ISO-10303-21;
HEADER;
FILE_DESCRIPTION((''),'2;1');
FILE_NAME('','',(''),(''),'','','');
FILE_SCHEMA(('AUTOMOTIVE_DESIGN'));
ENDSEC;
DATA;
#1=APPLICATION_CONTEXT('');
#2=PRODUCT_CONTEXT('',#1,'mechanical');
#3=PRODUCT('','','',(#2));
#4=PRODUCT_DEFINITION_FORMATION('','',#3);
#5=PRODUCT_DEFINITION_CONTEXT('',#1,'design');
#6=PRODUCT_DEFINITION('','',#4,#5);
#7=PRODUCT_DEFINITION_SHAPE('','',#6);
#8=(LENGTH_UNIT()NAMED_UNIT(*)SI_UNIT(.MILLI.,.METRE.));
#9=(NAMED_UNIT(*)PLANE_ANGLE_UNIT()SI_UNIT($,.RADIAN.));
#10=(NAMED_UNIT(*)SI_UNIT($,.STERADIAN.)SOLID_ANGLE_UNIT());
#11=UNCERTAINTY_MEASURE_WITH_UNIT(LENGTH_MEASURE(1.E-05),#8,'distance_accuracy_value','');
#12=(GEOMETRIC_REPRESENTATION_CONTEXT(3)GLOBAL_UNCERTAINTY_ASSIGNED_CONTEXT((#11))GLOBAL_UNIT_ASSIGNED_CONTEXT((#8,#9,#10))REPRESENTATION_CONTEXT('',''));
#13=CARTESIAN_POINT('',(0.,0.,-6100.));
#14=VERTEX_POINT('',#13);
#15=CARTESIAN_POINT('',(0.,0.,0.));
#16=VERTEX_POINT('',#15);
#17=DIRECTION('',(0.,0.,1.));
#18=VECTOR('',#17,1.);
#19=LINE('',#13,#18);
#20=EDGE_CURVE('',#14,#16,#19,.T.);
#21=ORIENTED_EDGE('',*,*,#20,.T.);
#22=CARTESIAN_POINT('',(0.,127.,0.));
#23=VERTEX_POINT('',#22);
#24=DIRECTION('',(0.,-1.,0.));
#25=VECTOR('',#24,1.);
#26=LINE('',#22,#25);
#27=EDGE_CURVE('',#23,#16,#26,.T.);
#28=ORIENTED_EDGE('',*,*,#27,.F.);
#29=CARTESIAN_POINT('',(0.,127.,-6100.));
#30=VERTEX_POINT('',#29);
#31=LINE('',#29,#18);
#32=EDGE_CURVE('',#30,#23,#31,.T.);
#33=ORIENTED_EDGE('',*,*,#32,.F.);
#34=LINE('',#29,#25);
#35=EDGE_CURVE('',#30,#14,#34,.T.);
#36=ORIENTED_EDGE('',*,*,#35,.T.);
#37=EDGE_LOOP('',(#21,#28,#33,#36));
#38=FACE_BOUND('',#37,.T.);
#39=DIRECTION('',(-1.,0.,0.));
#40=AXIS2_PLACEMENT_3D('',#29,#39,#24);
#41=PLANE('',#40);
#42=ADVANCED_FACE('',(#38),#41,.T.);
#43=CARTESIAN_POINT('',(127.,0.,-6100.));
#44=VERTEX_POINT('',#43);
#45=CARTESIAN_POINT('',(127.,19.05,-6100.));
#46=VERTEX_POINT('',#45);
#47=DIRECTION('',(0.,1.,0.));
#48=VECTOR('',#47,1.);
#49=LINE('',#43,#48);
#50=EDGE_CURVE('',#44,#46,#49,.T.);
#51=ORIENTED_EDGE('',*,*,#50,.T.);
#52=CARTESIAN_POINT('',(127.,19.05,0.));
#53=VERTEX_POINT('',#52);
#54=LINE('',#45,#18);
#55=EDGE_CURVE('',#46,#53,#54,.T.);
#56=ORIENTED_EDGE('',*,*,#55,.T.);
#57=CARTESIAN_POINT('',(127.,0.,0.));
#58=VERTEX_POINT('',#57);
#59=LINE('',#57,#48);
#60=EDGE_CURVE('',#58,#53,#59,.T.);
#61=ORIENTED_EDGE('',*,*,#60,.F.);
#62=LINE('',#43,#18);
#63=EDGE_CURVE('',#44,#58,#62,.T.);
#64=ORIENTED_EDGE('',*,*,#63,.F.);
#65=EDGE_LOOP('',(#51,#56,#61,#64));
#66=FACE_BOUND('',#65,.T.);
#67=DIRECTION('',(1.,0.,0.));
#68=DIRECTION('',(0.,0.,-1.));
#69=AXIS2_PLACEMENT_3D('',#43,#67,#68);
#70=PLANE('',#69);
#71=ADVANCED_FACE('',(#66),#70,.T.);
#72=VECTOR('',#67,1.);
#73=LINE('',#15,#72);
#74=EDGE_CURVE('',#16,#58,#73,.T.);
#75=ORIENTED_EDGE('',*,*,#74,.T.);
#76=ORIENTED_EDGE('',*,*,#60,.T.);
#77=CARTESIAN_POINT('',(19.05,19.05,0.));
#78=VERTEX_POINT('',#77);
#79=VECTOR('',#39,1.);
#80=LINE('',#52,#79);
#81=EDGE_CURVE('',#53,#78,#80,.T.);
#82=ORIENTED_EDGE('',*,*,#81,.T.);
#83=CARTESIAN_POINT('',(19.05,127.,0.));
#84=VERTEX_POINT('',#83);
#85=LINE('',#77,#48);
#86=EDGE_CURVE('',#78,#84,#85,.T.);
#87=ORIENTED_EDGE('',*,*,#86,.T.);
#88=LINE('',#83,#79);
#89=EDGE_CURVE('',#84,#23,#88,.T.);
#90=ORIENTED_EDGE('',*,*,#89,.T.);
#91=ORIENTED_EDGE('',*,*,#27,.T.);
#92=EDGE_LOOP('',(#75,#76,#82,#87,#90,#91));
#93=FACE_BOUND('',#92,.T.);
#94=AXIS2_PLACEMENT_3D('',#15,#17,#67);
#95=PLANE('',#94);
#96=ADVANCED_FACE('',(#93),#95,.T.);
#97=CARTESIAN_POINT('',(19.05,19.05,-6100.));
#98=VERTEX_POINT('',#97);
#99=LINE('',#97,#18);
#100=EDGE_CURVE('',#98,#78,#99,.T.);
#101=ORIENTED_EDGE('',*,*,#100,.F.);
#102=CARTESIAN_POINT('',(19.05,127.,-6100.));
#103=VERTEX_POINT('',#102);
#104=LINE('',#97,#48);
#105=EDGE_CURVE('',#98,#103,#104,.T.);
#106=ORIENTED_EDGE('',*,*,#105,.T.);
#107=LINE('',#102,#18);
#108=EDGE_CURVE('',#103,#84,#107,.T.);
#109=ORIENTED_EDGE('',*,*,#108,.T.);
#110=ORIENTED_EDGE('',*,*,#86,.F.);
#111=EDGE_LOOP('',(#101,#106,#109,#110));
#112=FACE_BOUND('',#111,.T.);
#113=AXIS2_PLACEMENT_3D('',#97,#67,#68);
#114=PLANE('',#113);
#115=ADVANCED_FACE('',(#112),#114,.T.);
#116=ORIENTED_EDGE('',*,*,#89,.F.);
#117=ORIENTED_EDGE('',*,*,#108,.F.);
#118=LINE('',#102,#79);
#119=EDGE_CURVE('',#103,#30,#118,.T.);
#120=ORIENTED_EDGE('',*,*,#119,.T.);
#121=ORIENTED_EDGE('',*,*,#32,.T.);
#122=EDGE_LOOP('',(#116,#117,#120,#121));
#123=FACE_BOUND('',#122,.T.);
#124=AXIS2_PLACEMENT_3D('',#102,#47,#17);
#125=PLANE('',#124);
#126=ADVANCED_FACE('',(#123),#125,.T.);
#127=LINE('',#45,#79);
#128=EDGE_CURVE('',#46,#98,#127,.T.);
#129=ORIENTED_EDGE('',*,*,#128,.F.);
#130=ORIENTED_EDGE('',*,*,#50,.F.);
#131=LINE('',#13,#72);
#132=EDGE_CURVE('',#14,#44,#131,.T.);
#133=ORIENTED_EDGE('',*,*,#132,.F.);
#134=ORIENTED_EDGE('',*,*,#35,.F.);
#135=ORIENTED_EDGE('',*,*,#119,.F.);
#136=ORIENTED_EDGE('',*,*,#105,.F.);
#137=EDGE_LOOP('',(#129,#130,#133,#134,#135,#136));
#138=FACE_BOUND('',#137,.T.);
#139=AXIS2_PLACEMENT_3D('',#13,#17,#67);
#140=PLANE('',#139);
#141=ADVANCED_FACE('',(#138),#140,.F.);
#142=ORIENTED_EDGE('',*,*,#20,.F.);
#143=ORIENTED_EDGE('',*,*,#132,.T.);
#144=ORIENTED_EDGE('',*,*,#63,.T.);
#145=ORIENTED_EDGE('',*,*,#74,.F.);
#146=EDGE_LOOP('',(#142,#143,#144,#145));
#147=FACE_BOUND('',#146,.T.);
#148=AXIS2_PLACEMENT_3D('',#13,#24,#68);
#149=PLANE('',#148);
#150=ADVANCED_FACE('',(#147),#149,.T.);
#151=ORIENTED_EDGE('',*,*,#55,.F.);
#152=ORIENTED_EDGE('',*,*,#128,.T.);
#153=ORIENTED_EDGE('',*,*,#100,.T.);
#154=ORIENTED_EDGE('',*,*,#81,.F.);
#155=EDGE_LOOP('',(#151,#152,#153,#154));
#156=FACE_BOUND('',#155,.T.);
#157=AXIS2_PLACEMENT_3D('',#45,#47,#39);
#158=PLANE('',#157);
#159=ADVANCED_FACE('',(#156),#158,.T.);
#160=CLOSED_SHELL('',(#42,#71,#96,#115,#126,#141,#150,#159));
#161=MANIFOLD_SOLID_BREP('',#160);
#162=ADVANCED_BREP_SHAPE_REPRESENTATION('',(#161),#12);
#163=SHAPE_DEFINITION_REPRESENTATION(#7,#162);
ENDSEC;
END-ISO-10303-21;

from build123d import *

# Parameters (mm, degrees)
SALIENTE_EXTRUIR1_DEPTH = 6100


with BuildPart() as part:
    # Croquis1 → Saliente-Extruir1 (new body)
    with BuildSketch(Plane.XY):
        Polygon((0, 127), (0, 0), (127, 0), (127, 19.05), (19.05, 19.05), (19.05, 127), align=None)
    extrude(amount=-SALIENTE_EXTRUIR1_DEPTH)


solid = part.part
